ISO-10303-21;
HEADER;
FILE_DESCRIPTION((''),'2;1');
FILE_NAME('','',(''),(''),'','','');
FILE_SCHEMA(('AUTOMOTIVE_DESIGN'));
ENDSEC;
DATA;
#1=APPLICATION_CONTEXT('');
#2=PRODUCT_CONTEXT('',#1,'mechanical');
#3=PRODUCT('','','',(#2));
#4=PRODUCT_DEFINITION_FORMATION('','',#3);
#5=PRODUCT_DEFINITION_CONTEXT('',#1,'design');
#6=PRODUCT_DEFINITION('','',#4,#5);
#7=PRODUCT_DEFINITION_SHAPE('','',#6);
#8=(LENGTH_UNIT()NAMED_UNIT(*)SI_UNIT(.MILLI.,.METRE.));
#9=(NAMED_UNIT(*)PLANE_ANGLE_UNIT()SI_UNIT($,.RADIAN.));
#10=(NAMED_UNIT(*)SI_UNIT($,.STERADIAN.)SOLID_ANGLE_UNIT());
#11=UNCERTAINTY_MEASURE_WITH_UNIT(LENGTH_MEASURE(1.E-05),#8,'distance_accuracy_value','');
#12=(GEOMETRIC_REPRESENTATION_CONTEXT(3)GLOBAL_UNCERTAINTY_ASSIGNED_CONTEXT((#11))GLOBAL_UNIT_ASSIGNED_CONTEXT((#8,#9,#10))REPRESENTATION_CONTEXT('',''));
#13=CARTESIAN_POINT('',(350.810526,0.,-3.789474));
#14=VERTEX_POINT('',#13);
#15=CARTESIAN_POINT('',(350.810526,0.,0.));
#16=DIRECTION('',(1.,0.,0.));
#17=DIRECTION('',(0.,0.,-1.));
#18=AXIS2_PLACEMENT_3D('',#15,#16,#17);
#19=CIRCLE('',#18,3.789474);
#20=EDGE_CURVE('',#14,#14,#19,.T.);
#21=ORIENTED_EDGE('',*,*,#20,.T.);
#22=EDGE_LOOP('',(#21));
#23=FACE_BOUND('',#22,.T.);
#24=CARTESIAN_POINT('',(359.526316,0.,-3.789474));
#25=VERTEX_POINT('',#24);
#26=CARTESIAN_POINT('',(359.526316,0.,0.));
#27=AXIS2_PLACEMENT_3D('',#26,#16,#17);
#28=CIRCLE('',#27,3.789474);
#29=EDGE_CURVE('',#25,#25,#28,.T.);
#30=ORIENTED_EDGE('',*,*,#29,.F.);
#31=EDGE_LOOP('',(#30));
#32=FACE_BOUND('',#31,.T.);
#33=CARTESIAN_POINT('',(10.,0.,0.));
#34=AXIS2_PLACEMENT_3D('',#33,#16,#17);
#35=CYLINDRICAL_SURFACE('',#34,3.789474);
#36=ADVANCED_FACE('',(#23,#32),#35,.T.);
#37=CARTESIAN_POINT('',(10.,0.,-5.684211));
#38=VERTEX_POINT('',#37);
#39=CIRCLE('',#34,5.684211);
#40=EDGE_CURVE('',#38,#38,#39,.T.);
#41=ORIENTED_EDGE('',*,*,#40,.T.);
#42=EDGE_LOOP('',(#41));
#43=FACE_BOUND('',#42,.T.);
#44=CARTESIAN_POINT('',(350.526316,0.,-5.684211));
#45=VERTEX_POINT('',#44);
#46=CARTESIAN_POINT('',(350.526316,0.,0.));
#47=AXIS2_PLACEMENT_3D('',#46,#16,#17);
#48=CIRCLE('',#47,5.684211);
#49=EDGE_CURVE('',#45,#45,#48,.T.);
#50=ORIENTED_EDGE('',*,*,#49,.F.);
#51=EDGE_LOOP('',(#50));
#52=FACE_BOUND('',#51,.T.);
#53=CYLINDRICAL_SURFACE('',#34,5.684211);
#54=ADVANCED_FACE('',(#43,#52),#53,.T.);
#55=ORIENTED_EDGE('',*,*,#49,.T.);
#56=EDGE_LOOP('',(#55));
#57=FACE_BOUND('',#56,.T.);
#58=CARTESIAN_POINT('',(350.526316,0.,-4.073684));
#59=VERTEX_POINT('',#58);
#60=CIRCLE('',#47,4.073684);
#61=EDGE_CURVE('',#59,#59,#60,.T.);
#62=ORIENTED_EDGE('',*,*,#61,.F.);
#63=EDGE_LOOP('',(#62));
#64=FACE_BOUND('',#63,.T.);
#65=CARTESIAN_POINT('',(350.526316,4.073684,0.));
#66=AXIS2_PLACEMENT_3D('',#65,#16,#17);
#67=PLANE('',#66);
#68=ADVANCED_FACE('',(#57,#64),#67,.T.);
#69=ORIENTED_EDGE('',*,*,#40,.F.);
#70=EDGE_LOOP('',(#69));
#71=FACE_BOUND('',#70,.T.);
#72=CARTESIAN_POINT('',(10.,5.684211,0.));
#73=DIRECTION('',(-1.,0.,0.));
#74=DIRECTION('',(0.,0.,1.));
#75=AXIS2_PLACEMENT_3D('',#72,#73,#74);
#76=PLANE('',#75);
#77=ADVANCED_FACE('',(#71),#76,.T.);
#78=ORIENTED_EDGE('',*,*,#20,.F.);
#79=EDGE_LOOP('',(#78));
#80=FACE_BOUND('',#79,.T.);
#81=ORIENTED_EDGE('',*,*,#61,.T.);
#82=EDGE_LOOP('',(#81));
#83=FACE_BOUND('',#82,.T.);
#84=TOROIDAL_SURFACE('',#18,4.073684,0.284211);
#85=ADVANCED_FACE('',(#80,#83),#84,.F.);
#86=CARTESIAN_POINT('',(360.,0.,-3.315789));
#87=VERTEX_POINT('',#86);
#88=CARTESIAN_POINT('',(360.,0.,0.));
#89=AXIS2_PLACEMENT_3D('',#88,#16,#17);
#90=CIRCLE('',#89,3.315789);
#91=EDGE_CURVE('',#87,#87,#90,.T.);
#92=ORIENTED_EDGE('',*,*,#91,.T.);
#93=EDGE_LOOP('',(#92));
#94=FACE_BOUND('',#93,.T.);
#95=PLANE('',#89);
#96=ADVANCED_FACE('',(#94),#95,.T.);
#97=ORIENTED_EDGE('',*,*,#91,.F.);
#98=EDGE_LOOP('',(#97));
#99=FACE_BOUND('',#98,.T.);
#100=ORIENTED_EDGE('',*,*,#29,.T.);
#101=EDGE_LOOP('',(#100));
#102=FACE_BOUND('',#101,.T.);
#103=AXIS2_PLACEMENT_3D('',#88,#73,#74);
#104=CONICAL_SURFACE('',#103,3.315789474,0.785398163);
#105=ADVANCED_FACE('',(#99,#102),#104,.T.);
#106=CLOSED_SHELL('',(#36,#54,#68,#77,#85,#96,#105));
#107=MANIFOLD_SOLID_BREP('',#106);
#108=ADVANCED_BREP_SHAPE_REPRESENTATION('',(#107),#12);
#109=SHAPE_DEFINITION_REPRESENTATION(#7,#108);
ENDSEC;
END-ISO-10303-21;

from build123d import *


with BuildPart() as part:
    # Sketch1 → Revolve1 (revolve)
    with BuildSketch(Plane.XY):
        with BuildLine():
            Line((10, 5.684210526), (10, 0))
            Line((10, 0), (360, 0))
            Line((360, 0), (360, 3.315789474))
            Line((360, 3.315789474), (359.526315789, 3.789473684))
            Line((359.526315789, 3.789473684), (350.810526316, 3.789473684))
            ThreePointArc((350.810526316, 3.789473684), (350.609559125, 3.87271702), (350.526315789, 4.073684211))
            Line((350.526315789, 4.073684211), (350.526315789, 5.684210526))
            Line((350.526315789, 5.684210526), (10, 5.684210526))
        make_face()
    revolve(axis=Axis((10, 0, 0), (1, 0, 0)))


solid = part.part
